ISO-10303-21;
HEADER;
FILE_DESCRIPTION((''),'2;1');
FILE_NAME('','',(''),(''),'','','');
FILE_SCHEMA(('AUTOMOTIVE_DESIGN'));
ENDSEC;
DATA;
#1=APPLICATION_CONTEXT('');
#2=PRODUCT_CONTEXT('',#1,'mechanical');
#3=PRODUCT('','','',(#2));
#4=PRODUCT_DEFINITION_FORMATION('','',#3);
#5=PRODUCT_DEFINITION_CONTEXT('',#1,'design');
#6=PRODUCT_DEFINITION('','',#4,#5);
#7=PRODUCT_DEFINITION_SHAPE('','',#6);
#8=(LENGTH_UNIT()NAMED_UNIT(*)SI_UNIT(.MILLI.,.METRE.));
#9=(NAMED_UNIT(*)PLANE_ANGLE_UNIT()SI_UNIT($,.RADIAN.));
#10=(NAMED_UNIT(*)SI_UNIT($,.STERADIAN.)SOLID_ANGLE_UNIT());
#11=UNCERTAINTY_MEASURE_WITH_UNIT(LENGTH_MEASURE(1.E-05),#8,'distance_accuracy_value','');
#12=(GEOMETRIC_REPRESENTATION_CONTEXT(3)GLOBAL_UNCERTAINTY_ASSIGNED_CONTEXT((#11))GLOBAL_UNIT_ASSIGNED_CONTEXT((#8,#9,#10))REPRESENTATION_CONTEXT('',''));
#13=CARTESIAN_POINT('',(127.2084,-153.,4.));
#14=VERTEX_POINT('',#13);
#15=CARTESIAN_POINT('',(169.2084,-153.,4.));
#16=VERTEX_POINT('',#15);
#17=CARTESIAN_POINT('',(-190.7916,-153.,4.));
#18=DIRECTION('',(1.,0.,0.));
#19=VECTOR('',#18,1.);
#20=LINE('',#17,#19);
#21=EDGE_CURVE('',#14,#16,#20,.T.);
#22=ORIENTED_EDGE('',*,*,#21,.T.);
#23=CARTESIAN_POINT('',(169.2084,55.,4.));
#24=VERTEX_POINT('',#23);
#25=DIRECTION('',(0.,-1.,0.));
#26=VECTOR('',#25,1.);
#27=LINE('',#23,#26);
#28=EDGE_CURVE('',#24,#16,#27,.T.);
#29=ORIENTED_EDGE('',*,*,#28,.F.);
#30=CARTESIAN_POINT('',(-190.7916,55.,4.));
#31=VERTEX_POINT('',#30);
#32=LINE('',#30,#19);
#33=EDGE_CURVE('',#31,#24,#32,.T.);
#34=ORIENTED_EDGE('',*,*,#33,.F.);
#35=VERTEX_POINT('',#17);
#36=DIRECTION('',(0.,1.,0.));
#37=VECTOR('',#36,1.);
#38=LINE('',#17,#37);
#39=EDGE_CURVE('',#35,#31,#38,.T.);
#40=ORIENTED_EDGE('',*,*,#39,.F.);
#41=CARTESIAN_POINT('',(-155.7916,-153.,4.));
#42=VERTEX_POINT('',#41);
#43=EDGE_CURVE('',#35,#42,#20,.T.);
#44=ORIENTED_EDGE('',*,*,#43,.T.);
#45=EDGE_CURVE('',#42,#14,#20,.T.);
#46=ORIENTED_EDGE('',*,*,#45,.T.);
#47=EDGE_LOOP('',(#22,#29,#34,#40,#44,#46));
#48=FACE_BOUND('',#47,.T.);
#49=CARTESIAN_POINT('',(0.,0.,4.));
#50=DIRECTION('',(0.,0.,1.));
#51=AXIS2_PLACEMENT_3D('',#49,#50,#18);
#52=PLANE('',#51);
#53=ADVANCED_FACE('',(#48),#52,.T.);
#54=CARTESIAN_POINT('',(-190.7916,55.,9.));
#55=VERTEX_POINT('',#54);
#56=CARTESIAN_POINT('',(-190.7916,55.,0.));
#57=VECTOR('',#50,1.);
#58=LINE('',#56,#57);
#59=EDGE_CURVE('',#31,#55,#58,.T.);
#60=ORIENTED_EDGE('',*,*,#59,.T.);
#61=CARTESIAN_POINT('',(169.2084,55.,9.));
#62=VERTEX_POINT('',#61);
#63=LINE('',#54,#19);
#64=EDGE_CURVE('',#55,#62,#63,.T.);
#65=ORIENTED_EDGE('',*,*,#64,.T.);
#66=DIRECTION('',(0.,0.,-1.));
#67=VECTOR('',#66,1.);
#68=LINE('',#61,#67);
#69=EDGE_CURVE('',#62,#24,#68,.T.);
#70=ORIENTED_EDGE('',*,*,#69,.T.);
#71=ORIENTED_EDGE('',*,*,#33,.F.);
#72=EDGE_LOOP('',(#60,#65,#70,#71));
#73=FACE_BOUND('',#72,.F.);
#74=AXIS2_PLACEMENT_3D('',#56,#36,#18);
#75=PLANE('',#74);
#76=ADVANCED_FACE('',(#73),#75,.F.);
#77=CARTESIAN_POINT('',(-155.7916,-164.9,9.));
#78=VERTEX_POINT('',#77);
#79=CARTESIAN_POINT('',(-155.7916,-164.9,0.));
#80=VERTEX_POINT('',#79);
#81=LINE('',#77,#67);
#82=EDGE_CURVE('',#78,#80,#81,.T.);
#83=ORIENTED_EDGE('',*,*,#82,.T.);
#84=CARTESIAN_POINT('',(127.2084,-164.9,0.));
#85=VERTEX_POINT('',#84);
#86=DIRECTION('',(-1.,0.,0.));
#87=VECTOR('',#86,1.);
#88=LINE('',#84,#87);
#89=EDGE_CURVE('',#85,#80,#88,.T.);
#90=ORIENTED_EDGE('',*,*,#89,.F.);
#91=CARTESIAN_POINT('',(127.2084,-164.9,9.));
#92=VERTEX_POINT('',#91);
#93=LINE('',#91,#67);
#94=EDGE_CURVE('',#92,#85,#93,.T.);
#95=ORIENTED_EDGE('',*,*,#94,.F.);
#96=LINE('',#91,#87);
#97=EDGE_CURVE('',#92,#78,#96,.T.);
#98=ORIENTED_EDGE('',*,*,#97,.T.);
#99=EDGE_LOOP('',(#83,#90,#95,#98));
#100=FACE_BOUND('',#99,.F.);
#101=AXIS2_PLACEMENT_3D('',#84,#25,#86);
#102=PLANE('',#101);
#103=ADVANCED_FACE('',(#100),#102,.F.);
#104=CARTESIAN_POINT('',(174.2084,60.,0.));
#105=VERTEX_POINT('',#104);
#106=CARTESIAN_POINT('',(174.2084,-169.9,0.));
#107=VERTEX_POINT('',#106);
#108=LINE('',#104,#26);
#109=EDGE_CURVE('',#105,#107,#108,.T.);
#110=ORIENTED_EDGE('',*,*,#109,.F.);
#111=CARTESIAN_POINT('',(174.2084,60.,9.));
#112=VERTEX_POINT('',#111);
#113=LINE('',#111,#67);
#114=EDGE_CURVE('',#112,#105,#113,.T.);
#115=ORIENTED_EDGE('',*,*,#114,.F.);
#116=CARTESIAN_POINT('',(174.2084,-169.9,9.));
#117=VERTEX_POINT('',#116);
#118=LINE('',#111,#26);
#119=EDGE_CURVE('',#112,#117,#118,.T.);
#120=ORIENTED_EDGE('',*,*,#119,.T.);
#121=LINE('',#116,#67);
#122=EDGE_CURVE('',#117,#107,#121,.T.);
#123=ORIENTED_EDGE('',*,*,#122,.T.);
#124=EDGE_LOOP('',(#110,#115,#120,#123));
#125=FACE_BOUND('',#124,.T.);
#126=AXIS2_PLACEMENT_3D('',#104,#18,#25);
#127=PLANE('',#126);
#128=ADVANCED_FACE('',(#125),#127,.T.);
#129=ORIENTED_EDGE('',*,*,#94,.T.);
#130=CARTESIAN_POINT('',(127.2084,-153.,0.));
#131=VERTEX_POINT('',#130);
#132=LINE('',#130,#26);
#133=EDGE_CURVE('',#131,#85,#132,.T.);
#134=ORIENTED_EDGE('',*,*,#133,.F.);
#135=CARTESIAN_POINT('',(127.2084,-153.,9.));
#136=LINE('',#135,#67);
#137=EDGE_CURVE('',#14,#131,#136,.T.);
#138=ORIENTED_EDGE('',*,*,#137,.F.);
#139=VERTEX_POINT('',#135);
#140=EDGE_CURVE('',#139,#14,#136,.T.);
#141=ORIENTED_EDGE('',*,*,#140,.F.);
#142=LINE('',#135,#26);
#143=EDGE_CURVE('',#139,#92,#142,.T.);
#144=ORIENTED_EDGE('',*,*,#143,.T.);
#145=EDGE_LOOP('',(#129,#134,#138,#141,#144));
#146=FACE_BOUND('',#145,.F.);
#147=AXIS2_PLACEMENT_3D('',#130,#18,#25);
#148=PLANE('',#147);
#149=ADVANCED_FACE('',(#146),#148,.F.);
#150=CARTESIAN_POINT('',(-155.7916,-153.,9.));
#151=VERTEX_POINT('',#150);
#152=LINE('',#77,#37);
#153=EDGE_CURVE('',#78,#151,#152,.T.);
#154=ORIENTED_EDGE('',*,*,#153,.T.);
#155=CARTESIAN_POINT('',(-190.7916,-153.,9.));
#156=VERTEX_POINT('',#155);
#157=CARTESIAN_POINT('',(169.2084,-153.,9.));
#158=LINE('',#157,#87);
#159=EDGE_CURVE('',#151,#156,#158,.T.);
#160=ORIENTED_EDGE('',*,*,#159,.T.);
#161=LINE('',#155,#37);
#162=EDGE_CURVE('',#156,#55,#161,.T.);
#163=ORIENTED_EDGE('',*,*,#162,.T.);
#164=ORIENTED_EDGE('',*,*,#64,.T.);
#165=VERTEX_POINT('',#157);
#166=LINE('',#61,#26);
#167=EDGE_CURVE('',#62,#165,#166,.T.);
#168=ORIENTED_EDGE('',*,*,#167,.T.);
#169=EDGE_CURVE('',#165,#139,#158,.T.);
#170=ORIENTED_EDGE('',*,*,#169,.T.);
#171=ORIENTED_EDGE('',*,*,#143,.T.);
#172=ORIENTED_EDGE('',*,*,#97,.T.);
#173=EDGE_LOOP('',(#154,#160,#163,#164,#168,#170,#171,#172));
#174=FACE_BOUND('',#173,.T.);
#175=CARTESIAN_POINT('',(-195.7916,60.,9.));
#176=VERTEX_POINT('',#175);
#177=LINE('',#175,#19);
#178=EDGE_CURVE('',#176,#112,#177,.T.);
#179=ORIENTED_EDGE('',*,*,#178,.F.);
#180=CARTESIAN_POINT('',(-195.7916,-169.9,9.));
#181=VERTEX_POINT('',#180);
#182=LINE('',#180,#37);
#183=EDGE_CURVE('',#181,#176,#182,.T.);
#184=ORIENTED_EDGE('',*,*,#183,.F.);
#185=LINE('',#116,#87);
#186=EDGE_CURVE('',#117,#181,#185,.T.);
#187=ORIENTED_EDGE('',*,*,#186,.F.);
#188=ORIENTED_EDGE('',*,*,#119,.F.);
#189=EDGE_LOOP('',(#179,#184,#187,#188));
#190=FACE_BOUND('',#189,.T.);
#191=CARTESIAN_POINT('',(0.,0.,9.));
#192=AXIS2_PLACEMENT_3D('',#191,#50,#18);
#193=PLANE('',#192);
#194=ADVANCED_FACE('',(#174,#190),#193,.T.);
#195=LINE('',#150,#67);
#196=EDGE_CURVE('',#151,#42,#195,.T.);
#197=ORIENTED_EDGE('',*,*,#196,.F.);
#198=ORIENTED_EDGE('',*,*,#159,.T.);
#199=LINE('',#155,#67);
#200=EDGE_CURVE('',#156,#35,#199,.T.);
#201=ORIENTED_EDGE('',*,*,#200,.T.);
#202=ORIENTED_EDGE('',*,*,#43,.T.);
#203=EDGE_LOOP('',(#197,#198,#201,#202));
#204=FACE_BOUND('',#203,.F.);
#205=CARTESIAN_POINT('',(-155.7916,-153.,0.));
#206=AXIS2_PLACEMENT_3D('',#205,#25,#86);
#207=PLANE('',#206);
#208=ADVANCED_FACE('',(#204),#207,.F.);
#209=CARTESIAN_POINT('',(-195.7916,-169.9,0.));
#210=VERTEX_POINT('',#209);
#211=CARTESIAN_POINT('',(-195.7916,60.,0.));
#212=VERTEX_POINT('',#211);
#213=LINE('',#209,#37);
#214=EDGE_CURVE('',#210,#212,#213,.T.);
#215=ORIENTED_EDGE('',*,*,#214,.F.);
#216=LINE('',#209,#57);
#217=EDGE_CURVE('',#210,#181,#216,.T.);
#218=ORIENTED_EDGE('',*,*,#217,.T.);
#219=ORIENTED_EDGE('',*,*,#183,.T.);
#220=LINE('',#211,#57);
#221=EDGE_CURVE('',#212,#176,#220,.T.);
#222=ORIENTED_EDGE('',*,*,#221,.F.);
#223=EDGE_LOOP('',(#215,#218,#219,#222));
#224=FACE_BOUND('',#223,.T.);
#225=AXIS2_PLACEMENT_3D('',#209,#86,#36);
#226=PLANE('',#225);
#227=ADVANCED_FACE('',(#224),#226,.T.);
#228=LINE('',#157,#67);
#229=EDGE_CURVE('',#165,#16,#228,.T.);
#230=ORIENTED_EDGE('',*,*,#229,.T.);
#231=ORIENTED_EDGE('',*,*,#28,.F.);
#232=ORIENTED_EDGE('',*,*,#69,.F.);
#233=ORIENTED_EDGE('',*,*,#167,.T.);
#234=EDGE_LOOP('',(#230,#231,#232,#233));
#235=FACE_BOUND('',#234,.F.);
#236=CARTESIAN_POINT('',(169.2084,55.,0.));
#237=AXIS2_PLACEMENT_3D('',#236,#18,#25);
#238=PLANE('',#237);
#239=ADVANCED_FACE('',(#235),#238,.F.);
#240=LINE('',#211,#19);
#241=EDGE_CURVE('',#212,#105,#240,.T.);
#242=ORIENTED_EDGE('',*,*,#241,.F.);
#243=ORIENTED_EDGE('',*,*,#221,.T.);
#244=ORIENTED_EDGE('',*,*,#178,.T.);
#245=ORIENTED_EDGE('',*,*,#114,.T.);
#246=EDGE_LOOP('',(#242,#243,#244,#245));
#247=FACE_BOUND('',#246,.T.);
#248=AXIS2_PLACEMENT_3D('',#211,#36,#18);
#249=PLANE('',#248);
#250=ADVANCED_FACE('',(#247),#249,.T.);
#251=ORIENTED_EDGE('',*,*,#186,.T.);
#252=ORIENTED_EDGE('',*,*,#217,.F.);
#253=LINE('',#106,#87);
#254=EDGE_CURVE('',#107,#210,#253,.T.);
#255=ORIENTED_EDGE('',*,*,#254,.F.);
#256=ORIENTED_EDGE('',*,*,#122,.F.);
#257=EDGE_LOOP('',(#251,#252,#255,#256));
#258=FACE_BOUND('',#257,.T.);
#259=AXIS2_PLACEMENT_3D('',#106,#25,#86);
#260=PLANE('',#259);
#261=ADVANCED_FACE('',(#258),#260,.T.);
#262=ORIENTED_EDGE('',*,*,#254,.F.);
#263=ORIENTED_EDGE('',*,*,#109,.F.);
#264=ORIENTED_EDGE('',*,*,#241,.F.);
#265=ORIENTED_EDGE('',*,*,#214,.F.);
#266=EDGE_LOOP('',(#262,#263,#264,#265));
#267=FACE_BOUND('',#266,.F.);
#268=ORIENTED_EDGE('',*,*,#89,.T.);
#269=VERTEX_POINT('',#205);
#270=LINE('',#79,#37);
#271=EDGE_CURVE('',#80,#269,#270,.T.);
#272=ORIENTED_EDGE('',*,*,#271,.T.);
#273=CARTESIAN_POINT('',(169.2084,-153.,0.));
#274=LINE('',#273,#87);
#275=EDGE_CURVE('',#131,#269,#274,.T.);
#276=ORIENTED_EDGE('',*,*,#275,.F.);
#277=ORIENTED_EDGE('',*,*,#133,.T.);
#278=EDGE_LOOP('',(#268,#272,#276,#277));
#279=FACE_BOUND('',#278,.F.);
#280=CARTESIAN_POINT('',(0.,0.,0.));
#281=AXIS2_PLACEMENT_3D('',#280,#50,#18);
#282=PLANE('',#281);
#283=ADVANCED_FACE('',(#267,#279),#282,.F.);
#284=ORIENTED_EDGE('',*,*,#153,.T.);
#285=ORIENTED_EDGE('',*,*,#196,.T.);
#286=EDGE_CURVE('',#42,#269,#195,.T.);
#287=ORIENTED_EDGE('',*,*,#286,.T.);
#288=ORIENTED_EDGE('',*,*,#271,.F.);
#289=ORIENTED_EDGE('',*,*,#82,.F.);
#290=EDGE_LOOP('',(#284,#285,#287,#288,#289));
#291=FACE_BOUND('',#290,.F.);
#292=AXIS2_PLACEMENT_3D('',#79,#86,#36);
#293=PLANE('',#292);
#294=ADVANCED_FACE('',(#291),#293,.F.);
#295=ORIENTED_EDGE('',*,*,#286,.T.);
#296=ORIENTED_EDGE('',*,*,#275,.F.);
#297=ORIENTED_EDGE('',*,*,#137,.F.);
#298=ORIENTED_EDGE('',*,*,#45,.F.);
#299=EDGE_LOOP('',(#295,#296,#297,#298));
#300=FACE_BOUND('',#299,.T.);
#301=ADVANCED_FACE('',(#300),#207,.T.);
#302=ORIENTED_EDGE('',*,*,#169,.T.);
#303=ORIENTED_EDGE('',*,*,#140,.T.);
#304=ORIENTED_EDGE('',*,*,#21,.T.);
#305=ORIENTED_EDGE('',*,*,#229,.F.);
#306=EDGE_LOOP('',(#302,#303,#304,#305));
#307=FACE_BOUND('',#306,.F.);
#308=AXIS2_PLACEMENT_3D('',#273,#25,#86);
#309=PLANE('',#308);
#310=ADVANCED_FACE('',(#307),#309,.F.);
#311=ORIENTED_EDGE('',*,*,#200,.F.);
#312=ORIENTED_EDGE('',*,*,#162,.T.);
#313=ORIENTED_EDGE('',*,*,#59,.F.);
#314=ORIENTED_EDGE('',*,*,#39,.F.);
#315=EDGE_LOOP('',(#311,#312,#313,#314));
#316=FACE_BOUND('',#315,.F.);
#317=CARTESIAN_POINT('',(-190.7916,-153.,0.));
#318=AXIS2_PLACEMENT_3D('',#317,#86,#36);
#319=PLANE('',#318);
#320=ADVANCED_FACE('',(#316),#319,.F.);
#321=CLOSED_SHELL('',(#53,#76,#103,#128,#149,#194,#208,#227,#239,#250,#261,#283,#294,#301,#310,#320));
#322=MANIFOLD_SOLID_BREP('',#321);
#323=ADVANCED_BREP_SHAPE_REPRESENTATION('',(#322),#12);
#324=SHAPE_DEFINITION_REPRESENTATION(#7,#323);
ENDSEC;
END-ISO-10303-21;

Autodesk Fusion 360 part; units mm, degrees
sketch "Szkic1" plane through (0, 0, 0) normal (0, 0, 1) x (1, 0, 0)
  line L0 (-190.7916, 55) -> (169.2084, 55)
  line L1 (169.2084, 55) -> (169.2084, -153)
  line L2 (169.2084, -153) -> (-190.7916, -153)
  line L3 (-190.7916, -153) -> (-190.7916, 55)
  line L4 (-186.2916, 51.8) -> (159.7084, 51.8)
  line L5 (159.7084, 51.8) -> (159.7084, -145.2)
  line L6 (159.7084, -145.2) -> (-186.2916, -145.2)
  line L7 (-186.2916, -145.2) -> (-186.2916, 51.8)
  line L8 (-155.7916, -153) -> (127.2084, -153)
  line L9 (127.2084, -153) -> (127.2084, -164.9)
  line L10 (127.2084, -164.9) -> (-155.7916, -164.9)
  line L11 (-155.7916, -164.9) -> (-155.7916, -153)
  line L12 (-195.7916, 60) -> (174.2084, 60)
  line L13 (174.2084, 60) -> (174.2084, -169.9)
  line L14 (174.2084, -169.9) -> (-195.7916, -169.9)
  line L15 (-195.7916, -169.9) -> (-195.7916, 60)
  dimension "d1" = 360
  dimension "d2" = 208
  dimension "d3" = 346
  dimension "d4" = 197
  dimension "d5" = 9.5
  dimension "d6" = 7.8
  dimension "d7" = 11.9
  dimension "d8" = 35
  dimension "d9" = 283
  dimension "d10" = 370
  dimension "d11" = 5
  dimension "d12" = 5
  dimension "d13" = 5
extrude "Wyciągnięcie proste1" add sketch "Szkic1" along normal blind 5 contours L12 L13 L14 L15
extrude "Wyciągnięcie proste2" add 1 faces at (156.8751, -162.6, 5) along direction (0, 0, 1) blind 4
extrude "Wyciągnięcie proste3" add sketch "Szkic1" along normal blind 4 contours L0 L1 L2 L3 L8 | L4 L5 L6 L7
